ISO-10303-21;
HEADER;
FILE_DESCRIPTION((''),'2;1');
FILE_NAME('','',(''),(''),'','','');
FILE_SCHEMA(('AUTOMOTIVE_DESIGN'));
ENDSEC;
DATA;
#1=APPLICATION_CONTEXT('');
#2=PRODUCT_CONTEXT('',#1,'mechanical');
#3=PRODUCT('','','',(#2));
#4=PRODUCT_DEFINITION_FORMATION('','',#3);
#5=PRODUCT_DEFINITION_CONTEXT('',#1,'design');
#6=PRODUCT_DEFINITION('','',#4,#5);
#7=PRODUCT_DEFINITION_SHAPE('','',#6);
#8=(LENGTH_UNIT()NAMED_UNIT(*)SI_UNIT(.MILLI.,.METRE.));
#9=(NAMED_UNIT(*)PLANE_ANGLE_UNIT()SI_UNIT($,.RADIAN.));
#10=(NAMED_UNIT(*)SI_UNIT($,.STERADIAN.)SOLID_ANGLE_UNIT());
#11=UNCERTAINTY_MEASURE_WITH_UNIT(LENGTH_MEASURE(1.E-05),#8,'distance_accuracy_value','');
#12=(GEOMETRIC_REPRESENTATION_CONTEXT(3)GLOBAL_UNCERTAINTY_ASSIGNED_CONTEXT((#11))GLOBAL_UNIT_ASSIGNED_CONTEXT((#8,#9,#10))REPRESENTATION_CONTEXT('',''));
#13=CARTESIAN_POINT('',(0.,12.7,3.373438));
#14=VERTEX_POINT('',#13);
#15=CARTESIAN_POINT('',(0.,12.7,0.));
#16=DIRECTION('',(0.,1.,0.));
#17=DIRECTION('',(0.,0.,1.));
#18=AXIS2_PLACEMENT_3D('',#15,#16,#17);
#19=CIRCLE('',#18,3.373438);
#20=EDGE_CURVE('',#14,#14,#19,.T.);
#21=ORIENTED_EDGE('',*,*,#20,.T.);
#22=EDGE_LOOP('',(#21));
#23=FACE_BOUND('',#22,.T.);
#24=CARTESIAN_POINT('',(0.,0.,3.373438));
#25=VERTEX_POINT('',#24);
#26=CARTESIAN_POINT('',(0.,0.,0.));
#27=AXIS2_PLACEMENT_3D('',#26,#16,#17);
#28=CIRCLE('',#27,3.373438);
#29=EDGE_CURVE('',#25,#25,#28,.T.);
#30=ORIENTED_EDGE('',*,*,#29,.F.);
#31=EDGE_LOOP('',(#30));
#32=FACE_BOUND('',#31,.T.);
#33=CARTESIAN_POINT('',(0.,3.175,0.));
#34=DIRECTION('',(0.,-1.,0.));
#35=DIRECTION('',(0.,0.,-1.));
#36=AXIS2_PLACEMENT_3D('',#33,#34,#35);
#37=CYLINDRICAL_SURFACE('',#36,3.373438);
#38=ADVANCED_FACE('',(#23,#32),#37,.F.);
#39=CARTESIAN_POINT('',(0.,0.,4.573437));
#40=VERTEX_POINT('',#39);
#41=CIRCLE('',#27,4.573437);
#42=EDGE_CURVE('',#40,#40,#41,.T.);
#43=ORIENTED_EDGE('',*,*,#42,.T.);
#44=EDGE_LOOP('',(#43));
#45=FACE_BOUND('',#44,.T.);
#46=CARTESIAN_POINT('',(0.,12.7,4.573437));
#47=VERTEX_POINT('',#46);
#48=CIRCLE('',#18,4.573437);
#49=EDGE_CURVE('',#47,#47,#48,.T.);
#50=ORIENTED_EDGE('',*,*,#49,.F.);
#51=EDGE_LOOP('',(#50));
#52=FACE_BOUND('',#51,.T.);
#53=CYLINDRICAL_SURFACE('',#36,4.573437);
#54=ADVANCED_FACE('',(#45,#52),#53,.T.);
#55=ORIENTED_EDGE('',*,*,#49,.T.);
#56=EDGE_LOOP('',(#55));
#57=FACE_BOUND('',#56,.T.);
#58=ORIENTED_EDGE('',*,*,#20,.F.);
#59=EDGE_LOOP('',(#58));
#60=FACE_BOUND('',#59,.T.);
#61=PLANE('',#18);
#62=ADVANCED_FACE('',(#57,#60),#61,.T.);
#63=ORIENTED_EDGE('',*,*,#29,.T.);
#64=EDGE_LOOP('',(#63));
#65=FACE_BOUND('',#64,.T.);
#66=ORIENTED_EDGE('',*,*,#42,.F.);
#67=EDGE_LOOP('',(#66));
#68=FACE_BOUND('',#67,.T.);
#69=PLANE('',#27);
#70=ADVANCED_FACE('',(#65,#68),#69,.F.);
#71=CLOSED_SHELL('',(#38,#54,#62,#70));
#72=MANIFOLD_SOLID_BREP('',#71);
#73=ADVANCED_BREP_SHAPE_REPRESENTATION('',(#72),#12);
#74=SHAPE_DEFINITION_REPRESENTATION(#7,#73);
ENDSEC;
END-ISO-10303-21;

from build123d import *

# Parameters (mm, degrees)
SKETCH1_R           = 4.5734375
SKETCH1_R_2         = 3.3734375
BOSS_EXTRUDE1_DEPTH = 3.175
SKETCH2_R           = 4.5734375
SKETCH2_R_2         = 3.3734375
BOSS_EXTRUDE2_DEPTH = 9.525


with BuildPart() as part:
    # Sketch1 → Boss-Extrude1 (new body)
    with BuildSketch(Plane(origin=(0, 0, 0), x_dir=(1, 0, 0), z_dir=(0, 1, 0))):
        with Locations(Location((0, 0, 0), (0, 0, 270))):
            Circle(SKETCH1_R)
        with Locations(Location((0, 0, 0), (0, 0, 270))):
            Circle(SKETCH1_R_2, mode=Mode.SUBTRACT)
    extrude(amount=BOSS_EXTRUDE1_DEPTH)

    # Sketch2 → Boss-Extrude2 (add)
    with BuildSketch(Plane(origin=(0, 3.175, 0), x_dir=(1, 0, 0), z_dir=(0, 1, 0))):
        with Locations(Location((0, 0, 0), (0, 0, 270))):
            Circle(SKETCH2_R)
        with Locations(Location((0, 0, 0), (0, 0, 270))):
            Circle(SKETCH2_R_2, mode=Mode.SUBTRACT)
    extrude(amount=BOSS_EXTRUDE2_DEPTH)


solid = part.part
